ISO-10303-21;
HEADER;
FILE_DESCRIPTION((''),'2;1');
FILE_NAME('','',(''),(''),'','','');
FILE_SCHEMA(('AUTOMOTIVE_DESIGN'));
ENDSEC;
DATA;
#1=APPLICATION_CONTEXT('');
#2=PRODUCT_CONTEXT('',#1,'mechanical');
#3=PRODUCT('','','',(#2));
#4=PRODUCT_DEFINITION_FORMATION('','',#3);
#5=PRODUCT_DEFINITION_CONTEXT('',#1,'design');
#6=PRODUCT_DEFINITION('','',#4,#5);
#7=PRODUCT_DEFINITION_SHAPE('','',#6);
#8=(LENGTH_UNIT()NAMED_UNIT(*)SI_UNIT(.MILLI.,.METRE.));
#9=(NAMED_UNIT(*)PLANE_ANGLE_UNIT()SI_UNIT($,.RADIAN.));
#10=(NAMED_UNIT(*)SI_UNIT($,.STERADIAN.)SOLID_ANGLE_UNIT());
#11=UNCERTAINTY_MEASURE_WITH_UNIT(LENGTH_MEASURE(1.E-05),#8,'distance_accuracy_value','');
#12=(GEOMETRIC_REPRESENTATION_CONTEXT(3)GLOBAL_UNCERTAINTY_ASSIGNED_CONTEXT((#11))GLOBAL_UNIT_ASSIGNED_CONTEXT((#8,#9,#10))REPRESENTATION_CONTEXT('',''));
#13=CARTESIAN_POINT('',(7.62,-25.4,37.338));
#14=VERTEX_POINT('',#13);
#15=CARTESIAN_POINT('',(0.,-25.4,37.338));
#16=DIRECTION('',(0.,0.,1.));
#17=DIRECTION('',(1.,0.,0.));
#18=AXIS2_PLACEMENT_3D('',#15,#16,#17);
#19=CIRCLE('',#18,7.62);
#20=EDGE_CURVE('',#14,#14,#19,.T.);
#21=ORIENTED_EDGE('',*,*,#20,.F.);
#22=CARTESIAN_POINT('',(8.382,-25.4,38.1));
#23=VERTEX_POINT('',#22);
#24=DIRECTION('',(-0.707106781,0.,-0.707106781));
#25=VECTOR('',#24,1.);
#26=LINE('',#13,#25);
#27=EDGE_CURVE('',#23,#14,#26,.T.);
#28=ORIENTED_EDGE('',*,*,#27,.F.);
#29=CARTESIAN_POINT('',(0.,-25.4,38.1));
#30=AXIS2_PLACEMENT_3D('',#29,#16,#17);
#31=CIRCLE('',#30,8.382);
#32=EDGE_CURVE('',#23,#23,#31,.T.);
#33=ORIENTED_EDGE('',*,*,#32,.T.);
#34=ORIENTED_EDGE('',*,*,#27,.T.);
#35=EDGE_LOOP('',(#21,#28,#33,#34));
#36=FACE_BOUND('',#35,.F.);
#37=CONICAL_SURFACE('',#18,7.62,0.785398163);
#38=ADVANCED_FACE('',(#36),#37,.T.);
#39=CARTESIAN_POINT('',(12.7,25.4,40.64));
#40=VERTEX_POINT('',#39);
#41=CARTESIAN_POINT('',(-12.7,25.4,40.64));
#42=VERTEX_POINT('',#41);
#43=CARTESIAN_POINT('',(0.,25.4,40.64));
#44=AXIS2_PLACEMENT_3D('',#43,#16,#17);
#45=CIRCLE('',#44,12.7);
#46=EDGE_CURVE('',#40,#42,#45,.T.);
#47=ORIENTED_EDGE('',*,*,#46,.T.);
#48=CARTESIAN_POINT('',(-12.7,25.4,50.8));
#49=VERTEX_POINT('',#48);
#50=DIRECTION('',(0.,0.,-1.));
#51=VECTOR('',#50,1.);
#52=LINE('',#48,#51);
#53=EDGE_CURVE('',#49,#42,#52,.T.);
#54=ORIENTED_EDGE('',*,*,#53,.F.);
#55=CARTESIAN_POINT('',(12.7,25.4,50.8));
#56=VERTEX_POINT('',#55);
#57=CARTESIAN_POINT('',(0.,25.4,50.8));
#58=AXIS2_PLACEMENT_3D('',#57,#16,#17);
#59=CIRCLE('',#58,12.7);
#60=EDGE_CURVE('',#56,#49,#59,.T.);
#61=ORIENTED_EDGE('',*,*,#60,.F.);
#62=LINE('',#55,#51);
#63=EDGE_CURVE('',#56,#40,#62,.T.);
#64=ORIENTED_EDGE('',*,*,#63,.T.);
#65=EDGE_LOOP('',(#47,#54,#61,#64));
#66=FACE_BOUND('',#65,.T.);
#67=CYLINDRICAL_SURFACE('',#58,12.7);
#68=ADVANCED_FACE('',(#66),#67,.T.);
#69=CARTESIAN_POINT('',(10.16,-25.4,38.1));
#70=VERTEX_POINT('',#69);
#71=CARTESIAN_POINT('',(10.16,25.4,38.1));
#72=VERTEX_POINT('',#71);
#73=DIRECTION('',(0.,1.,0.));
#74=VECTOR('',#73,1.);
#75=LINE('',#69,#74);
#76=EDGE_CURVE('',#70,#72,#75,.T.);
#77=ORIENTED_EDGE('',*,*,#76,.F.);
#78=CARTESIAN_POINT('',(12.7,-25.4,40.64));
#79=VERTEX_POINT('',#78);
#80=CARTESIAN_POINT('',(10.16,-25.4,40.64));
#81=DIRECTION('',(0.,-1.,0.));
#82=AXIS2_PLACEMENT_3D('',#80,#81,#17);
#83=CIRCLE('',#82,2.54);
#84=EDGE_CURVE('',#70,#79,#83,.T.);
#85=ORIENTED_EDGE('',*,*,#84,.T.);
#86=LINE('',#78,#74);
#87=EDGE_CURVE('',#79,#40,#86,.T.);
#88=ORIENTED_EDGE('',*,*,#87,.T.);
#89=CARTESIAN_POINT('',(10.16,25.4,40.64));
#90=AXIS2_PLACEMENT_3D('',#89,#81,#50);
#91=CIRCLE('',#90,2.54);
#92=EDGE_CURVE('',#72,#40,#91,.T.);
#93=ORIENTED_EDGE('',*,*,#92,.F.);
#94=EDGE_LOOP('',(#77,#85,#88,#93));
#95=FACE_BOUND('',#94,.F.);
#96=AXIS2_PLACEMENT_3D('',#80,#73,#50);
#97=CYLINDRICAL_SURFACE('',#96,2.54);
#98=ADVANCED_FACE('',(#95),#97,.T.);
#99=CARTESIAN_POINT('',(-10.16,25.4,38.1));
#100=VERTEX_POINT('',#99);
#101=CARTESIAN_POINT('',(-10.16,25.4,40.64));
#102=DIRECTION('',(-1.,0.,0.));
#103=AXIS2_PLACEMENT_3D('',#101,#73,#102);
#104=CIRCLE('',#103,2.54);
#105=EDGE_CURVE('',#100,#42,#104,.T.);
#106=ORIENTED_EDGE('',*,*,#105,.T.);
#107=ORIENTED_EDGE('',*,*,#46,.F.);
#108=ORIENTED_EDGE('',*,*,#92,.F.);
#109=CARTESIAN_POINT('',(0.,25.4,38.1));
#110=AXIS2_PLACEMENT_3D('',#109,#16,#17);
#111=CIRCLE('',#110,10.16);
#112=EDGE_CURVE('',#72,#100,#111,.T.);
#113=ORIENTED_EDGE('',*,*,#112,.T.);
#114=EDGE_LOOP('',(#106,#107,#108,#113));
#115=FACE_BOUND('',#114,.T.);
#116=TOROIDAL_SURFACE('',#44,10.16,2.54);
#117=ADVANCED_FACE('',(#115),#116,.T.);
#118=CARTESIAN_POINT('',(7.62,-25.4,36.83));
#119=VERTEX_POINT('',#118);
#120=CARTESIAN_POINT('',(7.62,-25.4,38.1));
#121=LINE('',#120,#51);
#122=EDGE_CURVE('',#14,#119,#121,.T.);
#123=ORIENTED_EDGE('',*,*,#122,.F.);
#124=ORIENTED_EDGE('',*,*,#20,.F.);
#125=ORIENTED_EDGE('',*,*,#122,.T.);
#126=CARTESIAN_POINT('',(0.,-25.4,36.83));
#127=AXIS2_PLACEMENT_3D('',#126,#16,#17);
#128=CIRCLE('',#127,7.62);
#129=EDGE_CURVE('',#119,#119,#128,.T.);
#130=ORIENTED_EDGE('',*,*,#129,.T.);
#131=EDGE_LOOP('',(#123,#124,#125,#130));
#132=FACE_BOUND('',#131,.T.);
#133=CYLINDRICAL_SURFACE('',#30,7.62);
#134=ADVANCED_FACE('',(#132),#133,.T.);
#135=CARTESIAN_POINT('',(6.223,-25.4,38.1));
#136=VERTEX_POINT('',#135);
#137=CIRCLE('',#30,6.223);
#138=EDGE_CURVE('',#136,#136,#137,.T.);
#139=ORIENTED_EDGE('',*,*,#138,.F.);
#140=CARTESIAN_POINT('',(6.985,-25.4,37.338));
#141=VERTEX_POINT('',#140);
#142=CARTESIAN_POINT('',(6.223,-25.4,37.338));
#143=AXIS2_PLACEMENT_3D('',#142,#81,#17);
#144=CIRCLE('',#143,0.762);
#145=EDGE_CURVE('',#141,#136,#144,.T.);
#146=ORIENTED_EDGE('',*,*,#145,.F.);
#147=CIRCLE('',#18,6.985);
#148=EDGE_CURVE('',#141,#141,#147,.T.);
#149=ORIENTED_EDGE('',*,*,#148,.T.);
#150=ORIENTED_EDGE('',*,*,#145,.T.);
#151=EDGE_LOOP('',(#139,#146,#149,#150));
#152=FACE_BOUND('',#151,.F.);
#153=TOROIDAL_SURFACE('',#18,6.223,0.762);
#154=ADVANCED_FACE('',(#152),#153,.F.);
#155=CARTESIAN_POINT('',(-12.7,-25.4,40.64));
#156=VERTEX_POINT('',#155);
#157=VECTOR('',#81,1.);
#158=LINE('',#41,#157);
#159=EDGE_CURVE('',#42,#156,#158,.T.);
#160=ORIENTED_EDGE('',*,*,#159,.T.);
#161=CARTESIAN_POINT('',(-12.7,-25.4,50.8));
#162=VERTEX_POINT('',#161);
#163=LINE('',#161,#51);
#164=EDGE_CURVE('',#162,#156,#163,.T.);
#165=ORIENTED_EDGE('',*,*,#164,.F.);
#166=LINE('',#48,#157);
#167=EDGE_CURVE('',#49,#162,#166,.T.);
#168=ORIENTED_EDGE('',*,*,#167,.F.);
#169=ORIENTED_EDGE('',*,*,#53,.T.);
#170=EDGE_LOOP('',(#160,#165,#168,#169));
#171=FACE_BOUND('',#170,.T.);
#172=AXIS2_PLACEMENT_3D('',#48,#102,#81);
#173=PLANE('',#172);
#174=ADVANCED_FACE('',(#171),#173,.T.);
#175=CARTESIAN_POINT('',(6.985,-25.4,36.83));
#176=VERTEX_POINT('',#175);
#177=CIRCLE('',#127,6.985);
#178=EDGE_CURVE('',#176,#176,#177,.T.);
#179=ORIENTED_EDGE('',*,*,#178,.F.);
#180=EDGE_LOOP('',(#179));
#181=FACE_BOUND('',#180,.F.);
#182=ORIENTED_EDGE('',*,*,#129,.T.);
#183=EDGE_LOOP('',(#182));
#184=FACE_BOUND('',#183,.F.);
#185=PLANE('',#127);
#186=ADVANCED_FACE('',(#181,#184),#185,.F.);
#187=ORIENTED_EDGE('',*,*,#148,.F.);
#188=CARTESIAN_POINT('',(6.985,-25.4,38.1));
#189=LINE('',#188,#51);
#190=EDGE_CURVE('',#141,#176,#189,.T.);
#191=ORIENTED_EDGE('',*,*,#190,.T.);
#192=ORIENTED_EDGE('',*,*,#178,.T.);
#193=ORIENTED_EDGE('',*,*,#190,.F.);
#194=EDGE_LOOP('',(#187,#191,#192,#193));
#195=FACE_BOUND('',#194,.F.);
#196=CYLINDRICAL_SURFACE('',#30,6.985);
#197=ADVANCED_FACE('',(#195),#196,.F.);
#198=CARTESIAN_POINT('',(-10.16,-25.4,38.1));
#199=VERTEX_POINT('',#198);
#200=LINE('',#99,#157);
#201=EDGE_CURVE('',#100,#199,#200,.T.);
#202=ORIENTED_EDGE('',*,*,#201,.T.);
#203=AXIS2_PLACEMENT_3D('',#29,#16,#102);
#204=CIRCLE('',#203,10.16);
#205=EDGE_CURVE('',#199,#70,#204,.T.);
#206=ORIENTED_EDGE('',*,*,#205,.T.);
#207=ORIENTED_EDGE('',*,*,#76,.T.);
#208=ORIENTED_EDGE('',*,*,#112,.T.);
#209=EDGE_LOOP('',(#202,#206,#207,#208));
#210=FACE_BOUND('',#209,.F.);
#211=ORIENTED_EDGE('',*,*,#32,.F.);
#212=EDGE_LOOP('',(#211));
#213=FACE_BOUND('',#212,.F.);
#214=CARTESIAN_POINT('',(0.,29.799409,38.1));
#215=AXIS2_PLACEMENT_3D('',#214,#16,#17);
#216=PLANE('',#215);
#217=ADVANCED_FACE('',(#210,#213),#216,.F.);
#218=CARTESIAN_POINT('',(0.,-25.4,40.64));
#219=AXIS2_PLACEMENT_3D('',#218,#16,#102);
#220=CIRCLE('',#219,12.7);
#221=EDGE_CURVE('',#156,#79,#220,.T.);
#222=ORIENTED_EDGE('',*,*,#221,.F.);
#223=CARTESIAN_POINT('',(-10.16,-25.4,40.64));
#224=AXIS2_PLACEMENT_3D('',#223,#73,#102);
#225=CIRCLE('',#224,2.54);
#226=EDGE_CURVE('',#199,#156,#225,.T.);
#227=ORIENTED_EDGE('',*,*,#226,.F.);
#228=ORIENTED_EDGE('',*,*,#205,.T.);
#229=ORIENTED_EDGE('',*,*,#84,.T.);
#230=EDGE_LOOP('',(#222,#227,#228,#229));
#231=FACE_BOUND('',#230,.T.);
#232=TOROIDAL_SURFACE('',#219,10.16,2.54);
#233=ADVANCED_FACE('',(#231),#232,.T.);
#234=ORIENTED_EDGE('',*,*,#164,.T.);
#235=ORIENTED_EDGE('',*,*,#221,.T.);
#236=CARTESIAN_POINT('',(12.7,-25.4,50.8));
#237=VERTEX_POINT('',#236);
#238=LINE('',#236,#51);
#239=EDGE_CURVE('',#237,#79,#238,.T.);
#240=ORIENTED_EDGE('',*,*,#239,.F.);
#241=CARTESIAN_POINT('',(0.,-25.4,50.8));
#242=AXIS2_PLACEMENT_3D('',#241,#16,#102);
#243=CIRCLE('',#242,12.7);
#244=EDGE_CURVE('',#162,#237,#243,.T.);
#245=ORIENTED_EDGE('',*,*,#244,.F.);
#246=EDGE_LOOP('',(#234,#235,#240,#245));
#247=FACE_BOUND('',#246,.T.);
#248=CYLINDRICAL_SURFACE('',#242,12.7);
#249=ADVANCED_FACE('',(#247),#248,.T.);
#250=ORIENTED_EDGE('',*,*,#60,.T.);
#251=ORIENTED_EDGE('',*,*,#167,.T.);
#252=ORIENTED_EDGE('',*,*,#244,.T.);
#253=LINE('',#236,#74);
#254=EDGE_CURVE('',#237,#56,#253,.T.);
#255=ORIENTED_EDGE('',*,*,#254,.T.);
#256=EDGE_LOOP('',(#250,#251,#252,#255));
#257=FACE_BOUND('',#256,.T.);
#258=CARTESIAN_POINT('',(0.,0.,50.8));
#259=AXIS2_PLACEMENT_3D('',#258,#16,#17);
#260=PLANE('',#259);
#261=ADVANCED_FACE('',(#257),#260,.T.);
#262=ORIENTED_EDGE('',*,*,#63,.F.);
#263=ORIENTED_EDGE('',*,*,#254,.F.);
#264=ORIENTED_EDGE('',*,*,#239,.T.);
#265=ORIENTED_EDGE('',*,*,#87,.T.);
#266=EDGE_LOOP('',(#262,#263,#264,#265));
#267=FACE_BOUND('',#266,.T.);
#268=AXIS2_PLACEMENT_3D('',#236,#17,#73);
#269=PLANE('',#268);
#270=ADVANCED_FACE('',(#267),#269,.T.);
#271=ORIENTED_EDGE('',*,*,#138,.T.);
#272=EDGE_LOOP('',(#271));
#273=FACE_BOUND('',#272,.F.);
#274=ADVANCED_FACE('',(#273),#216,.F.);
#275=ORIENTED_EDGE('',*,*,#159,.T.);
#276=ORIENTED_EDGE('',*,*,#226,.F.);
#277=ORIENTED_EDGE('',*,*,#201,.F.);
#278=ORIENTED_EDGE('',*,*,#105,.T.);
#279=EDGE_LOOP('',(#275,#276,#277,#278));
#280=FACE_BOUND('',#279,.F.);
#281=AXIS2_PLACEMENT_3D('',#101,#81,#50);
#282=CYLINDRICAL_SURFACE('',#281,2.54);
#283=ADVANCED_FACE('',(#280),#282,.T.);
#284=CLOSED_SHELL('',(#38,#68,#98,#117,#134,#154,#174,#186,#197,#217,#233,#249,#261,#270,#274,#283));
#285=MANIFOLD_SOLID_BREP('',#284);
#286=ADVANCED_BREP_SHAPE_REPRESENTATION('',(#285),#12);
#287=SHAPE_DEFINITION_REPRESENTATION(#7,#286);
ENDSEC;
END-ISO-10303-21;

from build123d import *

# Parameters (mm, degrees)
F0_W     = 101.6
F0_H     = 101.6
F1_DEPTH = 50.8
F3_DEPTH = 12.7
F4_R     = 7.62
F4_R_2   = 6.985
F5_DEPTH = 1.27
F6_SIZE  = 0.762
F7_R     = 0.762
F9_DEPTH = 25.4
F10_R    = 2.54


with BuildPart() as f1:
    # F0 (on Top) → F1 (new body)
    with BuildSketch(Plane.XY):
        Rectangle(F0_W, F0_H)
    extrude(amount=F1_DEPTH)

    # F2 (on face) → F3 (cut)
    with BuildSketch(Plane.XY.offset(50.8)):
        with BuildLine():
            Line((-12.7, 25.4), (12.7, 25.4))
            ThreePointArc((12.7, 25.4), (0, 38.1), (-12.7, 25.4))
        make_face()
        with BuildLine():
            ThreePointArc((-12.7, 25.4), (0, 12.7), (12.7, 25.4))
            Line((12.7, 25.4), (-12.7, 25.4))
        make_face()
        with BuildLine():
            ThreePointArc((-12.7, -25.4), (0, -12.7), (12.7, -25.4))
            Line((12.7, -25.4), (12.7, 25.4))
            ThreePointArc((12.7, 25.4), (0, 12.7), (-12.7, 25.4))
            Line((-12.7, 25.4), (-12.7, -25.4))
        make_face()
        with BuildLine():
            Line((-12.7, -25.4), (12.7, -25.4))
            ThreePointArc((12.7, -25.4), (0, -12.7), (-12.7, -25.4))
        make_face()
        with BuildLine():
            ThreePointArc((-12.7, -25.4), (0, -38.1), (12.7, -25.4))
            Line((12.7, -25.4), (-12.7, -25.4))
        make_face()
    extrude(amount=-F3_DEPTH, mode=Mode.SUBTRACT)

    # F4 (on face) → F5 (cut)
    with BuildSketch(Plane.XY.offset(38.1)):
        with Locations((0, -25.4)):
            Circle(F4_R)
        with Locations((0, -25.4)):
            Circle(F4_R_2, mode=Mode.SUBTRACT)
    extrude(amount=-F5_DEPTH, mode=Mode.SUBTRACT)

    # F6
    f6_edges = [f1.edges().sort_by_distance(p)[0] for p in [
        (-7.62, -25.4, 38.1),
        (0, -50.8, 0),
    ]]
    chamfer(f6_edges, length=F6_SIZE)

    # F7
    f7_edges = [f1.edges().sort_by_distance(p)[0] for p in [
        (-6.985, -25.4, 38.1),
    ]]
    fillet(f7_edges, radius=F7_R)

    # F10
    f10_edges = [f1.edges().sort_by_distance(p)[0] for p in [
        (0, -38.1, 38.1),
    ]]
    fillet(f10_edges, radius=F10_R)


with BuildPart() as f9:
    # F8 (on face) → F9 (new body)
    with BuildSketch(Plane.XY.offset(50.8)):
        with BuildLine():
            ThreePointArc((-12.7, -25.4), (0, -38.1), (12.7, -25.4))
            Line((12.7, -25.4), (12.7, 25.4))
            ThreePointArc((12.7, 25.4), (0, 38.1), (-12.7, 25.4))
            Line((-12.7, 25.4), (-12.7, -25.4))
        make_face()
    extrude(amount=-F9_DEPTH)

    # F11: cut F1
    add(f1.part, mode=Mode.SUBTRACT)


solid = f9.part
